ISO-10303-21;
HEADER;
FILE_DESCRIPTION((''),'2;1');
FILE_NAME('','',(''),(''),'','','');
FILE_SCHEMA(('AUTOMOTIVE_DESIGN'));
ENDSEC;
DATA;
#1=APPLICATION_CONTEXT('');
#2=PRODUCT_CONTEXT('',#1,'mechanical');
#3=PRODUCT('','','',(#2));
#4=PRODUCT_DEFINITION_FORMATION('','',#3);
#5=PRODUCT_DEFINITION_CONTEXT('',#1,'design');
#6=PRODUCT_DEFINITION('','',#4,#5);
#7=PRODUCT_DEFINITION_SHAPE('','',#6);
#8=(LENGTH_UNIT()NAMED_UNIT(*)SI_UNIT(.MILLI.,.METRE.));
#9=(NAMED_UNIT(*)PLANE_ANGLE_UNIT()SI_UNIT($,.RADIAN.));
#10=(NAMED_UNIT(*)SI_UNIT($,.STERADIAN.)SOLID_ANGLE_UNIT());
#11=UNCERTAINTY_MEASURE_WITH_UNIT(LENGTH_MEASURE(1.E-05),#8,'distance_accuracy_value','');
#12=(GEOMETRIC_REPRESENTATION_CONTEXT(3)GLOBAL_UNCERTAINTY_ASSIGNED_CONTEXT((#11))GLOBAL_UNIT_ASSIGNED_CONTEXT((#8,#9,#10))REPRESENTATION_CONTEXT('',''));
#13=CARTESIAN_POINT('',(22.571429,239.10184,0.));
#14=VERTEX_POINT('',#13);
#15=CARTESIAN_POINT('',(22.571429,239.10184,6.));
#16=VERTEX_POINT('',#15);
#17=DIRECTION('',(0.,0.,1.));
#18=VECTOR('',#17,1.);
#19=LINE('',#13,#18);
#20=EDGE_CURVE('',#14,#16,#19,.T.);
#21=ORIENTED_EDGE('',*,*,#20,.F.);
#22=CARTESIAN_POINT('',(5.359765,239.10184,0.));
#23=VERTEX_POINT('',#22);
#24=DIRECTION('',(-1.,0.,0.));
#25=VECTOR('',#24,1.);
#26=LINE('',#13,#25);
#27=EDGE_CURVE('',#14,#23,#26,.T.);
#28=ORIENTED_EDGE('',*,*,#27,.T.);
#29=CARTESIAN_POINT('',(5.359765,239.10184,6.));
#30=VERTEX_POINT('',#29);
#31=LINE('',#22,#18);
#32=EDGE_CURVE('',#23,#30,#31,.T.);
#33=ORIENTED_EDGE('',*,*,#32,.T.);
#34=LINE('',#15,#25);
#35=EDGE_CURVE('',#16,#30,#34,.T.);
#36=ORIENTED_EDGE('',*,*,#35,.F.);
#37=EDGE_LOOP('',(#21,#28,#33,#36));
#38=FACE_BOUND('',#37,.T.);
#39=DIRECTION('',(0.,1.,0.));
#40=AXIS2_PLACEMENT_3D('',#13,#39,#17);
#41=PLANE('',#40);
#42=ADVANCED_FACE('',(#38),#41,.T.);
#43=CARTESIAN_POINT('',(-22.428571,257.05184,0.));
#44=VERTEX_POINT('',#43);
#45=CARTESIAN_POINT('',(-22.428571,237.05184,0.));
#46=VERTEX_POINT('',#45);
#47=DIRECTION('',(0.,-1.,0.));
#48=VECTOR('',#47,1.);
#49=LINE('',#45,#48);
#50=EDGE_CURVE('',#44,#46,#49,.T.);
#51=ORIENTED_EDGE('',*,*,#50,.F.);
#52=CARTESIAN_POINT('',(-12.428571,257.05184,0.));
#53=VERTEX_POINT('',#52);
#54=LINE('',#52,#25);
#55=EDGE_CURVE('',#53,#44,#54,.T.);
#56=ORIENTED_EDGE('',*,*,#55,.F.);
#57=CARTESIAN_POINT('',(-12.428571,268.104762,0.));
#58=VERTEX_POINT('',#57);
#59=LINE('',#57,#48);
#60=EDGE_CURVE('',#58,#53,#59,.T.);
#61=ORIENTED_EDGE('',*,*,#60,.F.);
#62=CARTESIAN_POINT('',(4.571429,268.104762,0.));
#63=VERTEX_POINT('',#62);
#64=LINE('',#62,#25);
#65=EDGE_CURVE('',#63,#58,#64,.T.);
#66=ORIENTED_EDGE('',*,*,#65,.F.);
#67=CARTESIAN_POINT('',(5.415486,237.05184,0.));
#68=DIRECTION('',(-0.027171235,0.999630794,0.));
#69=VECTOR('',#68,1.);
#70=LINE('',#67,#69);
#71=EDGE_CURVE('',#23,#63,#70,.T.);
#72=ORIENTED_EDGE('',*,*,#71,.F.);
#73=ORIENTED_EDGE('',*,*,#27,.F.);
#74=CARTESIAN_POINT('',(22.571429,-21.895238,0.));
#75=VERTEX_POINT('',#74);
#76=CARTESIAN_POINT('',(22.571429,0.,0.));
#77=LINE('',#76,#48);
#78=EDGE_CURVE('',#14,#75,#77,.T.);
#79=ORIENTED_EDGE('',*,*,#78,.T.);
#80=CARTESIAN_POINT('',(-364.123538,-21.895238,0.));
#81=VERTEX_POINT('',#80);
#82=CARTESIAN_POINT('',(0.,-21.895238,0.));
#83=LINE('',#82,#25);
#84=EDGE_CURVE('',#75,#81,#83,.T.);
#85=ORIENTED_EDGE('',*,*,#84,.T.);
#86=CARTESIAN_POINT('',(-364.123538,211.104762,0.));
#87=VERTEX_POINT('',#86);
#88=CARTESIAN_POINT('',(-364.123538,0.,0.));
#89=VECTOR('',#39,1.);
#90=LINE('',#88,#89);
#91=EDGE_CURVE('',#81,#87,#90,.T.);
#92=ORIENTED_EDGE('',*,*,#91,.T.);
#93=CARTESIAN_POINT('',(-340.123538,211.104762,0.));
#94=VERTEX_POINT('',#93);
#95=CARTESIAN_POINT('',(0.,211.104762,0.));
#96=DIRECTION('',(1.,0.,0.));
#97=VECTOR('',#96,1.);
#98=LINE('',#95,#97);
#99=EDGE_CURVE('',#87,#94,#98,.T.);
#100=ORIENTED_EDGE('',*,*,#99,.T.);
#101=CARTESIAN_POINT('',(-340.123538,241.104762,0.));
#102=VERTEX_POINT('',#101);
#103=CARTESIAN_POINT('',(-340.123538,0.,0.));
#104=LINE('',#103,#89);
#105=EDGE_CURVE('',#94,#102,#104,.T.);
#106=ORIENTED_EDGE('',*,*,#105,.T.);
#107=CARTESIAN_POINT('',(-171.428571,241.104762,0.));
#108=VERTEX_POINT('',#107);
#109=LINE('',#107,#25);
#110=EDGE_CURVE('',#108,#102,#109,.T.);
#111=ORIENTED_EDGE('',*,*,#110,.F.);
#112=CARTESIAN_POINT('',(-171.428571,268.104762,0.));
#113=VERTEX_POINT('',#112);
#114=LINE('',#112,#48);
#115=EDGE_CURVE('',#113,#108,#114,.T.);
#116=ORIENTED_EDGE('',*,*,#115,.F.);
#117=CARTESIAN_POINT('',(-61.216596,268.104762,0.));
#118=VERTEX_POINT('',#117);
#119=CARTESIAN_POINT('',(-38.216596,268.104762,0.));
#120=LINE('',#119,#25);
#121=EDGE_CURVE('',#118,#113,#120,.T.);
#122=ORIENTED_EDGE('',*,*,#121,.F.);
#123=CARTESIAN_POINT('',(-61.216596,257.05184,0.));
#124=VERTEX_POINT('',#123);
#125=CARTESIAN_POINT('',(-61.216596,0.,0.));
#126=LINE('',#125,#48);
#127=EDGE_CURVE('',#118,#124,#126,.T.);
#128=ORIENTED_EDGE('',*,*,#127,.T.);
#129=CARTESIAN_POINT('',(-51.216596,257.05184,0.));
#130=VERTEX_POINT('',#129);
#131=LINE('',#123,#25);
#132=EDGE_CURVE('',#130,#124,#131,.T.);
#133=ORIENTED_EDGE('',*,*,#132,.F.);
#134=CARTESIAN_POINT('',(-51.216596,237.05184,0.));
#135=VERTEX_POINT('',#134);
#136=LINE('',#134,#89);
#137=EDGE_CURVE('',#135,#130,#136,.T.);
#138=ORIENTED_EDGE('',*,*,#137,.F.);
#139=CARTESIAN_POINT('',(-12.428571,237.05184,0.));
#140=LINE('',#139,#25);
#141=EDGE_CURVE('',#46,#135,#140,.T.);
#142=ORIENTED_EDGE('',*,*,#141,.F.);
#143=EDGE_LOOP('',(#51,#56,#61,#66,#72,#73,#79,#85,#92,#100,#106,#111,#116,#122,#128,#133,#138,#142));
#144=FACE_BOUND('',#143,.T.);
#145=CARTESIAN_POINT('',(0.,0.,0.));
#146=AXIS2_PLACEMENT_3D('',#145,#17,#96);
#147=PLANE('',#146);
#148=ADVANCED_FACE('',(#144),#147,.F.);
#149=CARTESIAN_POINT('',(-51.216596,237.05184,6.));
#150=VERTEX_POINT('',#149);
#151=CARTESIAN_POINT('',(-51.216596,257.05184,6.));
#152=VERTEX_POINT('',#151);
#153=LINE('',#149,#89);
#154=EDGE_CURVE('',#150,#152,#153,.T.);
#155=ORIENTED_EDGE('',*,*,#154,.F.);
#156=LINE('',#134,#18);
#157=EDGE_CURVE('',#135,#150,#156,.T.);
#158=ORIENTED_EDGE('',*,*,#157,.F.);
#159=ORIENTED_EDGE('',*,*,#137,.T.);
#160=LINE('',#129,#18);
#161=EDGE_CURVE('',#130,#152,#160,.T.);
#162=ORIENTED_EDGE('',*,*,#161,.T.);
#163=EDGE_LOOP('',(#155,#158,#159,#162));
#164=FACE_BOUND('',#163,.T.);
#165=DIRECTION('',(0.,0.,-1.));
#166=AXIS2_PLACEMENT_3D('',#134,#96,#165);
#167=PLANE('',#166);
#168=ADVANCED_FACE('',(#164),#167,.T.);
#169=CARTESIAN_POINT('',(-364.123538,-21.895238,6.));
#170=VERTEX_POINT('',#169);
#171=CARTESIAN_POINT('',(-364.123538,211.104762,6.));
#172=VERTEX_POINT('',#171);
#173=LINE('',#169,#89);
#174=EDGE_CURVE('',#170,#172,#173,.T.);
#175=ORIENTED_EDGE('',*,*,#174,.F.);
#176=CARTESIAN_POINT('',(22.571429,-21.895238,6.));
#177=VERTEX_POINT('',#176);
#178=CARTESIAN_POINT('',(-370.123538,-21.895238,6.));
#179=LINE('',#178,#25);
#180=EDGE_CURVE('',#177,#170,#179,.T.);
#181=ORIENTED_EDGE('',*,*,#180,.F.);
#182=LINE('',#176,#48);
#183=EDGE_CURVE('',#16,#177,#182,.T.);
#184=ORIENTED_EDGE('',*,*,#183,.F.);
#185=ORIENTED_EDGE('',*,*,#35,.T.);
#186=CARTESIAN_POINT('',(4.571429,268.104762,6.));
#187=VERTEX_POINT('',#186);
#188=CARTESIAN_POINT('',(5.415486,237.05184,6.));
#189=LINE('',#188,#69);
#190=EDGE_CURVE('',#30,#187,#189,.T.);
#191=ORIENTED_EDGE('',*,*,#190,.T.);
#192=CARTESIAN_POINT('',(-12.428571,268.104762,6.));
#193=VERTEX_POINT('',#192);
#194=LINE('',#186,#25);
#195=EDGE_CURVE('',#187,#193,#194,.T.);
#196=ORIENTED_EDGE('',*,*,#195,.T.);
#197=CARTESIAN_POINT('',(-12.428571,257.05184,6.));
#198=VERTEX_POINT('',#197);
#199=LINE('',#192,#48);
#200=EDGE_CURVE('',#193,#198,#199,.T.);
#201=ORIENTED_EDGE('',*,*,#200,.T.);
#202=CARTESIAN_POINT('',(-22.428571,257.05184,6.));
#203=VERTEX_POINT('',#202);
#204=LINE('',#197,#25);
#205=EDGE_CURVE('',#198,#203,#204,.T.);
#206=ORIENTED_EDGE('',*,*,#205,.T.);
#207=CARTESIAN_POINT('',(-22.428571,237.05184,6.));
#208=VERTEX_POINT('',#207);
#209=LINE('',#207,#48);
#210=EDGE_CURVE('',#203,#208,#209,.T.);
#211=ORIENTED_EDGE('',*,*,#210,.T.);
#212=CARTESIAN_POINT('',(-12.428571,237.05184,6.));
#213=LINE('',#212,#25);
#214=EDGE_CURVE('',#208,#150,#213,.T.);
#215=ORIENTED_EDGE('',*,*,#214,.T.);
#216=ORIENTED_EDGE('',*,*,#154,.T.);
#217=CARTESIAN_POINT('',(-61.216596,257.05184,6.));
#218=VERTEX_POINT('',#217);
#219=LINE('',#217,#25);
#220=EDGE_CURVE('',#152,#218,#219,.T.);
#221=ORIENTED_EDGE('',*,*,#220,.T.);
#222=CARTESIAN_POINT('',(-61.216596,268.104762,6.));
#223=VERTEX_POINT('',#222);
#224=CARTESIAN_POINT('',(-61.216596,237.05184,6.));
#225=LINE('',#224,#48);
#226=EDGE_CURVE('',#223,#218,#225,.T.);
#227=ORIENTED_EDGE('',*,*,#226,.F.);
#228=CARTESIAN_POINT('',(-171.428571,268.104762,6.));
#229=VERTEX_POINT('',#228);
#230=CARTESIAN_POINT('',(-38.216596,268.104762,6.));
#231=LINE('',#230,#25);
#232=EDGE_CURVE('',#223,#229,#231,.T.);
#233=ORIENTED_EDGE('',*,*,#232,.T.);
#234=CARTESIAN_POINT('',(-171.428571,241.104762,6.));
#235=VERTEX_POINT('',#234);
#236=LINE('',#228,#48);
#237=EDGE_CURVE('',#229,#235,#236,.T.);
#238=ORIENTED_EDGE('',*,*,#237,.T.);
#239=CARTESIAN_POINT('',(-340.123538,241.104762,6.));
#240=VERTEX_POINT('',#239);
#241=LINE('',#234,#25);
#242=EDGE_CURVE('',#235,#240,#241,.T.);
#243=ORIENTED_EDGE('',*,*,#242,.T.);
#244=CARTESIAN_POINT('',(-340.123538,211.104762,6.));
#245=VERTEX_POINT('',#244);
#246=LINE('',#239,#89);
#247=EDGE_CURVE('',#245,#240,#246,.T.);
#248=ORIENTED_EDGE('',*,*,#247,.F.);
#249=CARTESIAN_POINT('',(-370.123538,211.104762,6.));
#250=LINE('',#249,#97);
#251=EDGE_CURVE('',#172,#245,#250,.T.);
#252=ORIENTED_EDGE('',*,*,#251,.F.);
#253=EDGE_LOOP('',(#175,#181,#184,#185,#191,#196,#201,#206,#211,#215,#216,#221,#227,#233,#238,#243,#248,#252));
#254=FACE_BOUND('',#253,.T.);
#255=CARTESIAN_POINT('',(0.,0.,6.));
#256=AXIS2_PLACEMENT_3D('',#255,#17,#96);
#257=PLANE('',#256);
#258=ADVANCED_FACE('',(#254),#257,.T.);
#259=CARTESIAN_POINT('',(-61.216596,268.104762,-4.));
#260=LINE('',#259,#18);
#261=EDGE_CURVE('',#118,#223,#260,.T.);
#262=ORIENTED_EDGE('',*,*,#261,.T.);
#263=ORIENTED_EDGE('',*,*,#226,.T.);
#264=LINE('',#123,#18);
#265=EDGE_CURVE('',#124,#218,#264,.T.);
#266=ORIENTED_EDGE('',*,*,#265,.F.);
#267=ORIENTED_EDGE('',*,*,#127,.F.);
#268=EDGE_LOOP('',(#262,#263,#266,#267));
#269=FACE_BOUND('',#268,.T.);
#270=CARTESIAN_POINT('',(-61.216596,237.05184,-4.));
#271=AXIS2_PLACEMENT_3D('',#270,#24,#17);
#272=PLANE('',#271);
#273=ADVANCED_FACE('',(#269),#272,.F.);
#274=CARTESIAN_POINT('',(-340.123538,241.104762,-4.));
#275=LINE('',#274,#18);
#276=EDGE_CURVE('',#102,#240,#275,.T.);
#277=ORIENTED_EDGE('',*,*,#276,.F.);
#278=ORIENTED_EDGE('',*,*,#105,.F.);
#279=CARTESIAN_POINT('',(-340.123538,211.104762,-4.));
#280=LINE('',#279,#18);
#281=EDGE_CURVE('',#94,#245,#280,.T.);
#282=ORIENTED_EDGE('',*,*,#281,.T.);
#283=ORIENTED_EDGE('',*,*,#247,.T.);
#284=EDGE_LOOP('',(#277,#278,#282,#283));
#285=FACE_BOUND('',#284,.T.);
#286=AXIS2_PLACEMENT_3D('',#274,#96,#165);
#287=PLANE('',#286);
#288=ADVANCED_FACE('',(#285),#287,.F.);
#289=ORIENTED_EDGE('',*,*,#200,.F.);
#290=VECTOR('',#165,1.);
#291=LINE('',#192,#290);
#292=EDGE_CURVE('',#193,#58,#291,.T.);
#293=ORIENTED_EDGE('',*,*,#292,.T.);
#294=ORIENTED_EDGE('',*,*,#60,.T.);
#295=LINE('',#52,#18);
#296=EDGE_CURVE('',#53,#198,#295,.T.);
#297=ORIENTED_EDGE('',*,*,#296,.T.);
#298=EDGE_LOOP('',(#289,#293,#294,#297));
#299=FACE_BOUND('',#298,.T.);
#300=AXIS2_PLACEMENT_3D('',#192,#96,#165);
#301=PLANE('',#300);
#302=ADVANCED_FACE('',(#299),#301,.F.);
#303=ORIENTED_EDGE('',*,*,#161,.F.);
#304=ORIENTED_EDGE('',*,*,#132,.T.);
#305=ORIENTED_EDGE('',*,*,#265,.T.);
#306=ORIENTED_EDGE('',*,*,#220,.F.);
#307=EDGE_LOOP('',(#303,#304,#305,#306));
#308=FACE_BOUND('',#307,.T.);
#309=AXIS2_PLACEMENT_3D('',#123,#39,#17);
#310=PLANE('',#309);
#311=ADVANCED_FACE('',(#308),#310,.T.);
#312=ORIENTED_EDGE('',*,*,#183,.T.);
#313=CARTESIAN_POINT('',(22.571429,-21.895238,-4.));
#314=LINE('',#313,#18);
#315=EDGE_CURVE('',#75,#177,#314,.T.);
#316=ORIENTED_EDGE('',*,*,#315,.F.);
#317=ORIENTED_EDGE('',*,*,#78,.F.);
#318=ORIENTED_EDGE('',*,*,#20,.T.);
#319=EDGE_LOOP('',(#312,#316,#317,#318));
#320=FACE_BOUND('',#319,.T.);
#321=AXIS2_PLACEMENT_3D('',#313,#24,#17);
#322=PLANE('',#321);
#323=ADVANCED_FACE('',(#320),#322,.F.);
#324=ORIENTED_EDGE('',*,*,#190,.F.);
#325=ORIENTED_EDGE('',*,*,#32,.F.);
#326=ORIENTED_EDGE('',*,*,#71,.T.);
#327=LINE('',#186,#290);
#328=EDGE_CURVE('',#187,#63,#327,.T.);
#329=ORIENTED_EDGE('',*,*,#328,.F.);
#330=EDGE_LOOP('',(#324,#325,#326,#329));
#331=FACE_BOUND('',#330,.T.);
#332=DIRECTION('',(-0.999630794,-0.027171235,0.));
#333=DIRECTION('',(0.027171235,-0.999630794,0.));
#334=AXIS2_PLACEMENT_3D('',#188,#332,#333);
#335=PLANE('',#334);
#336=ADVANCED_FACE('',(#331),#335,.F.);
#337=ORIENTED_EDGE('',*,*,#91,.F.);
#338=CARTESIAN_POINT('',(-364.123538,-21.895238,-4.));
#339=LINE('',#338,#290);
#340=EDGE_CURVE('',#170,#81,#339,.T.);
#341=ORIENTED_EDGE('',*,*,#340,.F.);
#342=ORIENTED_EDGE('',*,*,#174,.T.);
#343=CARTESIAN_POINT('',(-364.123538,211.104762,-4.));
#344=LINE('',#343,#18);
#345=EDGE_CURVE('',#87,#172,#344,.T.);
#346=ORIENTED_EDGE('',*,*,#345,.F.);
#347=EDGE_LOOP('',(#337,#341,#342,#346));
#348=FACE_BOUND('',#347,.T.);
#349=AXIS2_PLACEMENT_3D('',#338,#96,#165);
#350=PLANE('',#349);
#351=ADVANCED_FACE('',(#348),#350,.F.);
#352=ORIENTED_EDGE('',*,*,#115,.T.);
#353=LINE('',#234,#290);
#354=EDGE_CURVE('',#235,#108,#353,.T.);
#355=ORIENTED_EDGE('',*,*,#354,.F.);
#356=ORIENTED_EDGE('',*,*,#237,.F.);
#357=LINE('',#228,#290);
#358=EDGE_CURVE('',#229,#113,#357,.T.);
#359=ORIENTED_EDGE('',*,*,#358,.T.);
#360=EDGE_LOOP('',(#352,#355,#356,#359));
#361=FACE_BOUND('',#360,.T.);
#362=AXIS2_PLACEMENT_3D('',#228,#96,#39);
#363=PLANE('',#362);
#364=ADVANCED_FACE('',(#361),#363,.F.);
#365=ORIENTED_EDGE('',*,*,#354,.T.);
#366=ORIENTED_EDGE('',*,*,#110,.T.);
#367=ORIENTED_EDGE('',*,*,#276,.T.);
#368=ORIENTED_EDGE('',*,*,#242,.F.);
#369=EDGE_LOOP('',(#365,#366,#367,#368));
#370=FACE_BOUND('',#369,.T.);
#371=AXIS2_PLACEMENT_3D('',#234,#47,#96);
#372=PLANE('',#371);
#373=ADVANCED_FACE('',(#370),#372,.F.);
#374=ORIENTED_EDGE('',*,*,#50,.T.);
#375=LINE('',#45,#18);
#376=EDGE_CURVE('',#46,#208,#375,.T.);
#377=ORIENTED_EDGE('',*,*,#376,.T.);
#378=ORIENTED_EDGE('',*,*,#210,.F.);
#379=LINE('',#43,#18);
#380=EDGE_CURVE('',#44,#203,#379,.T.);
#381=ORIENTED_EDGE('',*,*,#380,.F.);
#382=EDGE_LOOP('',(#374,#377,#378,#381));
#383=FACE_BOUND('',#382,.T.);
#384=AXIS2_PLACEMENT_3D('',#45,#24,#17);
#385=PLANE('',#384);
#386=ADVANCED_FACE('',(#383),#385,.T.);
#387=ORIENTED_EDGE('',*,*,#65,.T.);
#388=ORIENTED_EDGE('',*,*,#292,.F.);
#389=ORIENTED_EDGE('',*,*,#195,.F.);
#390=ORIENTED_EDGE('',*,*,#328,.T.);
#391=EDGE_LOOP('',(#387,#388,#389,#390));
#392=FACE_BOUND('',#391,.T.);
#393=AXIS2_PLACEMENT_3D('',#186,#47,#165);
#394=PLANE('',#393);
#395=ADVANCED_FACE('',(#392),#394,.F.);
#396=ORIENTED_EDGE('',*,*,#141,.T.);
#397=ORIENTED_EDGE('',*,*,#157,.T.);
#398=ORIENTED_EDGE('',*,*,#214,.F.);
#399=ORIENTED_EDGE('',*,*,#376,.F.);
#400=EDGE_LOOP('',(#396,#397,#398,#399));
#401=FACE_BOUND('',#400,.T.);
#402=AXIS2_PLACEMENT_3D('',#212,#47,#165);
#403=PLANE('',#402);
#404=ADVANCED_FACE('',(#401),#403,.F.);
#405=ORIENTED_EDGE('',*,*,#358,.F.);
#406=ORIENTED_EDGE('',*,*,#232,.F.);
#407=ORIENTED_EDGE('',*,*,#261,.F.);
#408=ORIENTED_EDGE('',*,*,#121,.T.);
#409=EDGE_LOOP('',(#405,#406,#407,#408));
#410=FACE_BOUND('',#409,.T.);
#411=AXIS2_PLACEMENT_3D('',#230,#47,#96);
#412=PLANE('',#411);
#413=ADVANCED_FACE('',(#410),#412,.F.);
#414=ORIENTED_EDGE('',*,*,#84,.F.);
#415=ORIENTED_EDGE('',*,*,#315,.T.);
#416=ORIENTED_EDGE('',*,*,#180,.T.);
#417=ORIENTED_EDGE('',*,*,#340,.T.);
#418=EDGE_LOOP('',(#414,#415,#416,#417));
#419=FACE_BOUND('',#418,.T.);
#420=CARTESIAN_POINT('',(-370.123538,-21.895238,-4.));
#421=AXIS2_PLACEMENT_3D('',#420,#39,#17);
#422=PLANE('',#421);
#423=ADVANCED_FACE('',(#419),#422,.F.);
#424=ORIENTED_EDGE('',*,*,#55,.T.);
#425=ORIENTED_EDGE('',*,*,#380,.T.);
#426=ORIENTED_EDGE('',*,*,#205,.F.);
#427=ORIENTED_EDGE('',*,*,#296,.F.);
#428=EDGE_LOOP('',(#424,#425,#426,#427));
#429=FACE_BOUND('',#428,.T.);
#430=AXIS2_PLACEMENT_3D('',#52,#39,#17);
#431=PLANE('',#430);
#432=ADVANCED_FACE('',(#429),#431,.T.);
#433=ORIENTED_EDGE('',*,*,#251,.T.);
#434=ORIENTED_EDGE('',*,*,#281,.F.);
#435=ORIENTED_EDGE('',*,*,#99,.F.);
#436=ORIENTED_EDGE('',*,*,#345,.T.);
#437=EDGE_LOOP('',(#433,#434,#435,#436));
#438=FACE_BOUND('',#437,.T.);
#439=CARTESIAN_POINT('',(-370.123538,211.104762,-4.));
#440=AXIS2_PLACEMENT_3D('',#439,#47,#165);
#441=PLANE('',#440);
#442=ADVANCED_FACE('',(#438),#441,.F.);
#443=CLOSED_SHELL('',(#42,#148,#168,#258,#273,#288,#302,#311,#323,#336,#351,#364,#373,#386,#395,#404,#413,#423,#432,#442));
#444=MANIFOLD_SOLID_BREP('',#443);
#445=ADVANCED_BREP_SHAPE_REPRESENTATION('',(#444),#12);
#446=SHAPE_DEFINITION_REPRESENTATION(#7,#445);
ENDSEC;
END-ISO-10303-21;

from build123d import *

# Parameters (mm, degrees)
BOSS_EXTRUDE1_DEPTH = 6
SKETCH2_W           = 30
SKETCH2_H           = 30
CUT_EXTRUDE1_DEPTH  = 10
SKETCH3_W           = 398.694966145
SKETCH3_H           = 1
CUT_EXTRUDE2_DEPTH  = 10
SKETCH4_W           = 6
SKETCH4_H           = 233
SKETCH4_H_2         = 258.947078575
CUT_EXTRUDE3_DEPTH  = 10
SKETCH5_W           = 23
SKETCH5_H           = 31.052921425
CUT_EXTRUDE4_DEPTH  = 10
SKETCH6_W           = 10
SKETCH6_H           = 20
BOSS_EXTRUDE2_DEPTH = 6
SKETCH7_W           = 17.21166374
SKETCH7_H           = 2.05
BOSS_EXTRUDE3_DEPTH = 6


with BuildPart() as part:
    # Sketch1 → Boss-Extrude1 (new body)
    with BuildSketch(Plane.XY):
        Polygon((28.571428571, 236.060202245), (28.571428571, 237.05184048), (5.415486436, 237.05184048), (4.571428571, 268.104761905), (-12.428571429, 268.104761905), (-12.428571429, 237.05184048), (-38.216595912, 237.05184048), (-38.216595912, 268.104761905), (-171.428571429, 268.104761905), (-171.428571429, 241.104761905), (-370.123537574, 241.104761905), (-370.123537574, -22.895238095), (28.571428571, -22.895238095), align=None)
    extrude(amount=BOSS_EXTRUDE1_DEPTH)

    # Sketch2 → Cut-Extrude1 (cut)
    with BuildSketch(Plane.XY.offset(6)):
        with Locations((-355.123537574, 226.104761905)):
            Rectangle(SKETCH2_W, SKETCH2_H)
    extrude(amount=-CUT_EXTRUDE1_DEPTH, mode=Mode.SUBTRACT)

    # Sketch3 → Cut-Extrude2 (cut)
    with BuildSketch(Plane.XY.offset(6)):
        with Locations((-170.776054501, -22.395238095)):
            Rectangle(SKETCH3_W, SKETCH3_H)
    extrude(amount=-CUT_EXTRUDE2_DEPTH, mode=Mode.SUBTRACT)

    # Sketch4 → Cut-Extrude3 (cut)
    with BuildSketch(Plane.XY.offset(6)):
        with Locations((-367.123537574, 94.604761905)):
            Rectangle(SKETCH4_W, SKETCH4_H)
        with Locations((25.571428571, 107.578301193)):
            Rectangle(SKETCH4_W, SKETCH4_H_2)
    extrude(amount=-CUT_EXTRUDE3_DEPTH, mode=Mode.SUBTRACT)

    # Sketch5 → Cut-Extrude4 (cut)
    with BuildSketch(Plane.XY.offset(6)):
        with Locations((-49.716595912, 252.578301193)):
            Rectangle(SKETCH5_W, SKETCH5_H)
    extrude(amount=-CUT_EXTRUDE4_DEPTH, mode=Mode.SUBTRACT)

    # Sketch6 → Boss-Extrude2 (add)
    with BuildSketch(Plane.XY.offset(6)):
        with Locations((-17.428571429, 247.05184048)):
            Rectangle(SKETCH6_W, SKETCH6_H)
        with Locations((-56.216595912, 247.05184048)):
            Rectangle(SKETCH6_W, SKETCH6_H)
    extrude(amount=-BOSS_EXTRUDE2_DEPTH)

    # Sketch7 → Boss-Extrude3 (add)
    with BuildSketch(Plane.XY.offset(6)):
        with Locations((13.965596701, 238.07684048)):
            Rectangle(SKETCH7_W, SKETCH7_H)
    extrude(amount=-BOSS_EXTRUDE3_DEPTH)


solid = part.part
